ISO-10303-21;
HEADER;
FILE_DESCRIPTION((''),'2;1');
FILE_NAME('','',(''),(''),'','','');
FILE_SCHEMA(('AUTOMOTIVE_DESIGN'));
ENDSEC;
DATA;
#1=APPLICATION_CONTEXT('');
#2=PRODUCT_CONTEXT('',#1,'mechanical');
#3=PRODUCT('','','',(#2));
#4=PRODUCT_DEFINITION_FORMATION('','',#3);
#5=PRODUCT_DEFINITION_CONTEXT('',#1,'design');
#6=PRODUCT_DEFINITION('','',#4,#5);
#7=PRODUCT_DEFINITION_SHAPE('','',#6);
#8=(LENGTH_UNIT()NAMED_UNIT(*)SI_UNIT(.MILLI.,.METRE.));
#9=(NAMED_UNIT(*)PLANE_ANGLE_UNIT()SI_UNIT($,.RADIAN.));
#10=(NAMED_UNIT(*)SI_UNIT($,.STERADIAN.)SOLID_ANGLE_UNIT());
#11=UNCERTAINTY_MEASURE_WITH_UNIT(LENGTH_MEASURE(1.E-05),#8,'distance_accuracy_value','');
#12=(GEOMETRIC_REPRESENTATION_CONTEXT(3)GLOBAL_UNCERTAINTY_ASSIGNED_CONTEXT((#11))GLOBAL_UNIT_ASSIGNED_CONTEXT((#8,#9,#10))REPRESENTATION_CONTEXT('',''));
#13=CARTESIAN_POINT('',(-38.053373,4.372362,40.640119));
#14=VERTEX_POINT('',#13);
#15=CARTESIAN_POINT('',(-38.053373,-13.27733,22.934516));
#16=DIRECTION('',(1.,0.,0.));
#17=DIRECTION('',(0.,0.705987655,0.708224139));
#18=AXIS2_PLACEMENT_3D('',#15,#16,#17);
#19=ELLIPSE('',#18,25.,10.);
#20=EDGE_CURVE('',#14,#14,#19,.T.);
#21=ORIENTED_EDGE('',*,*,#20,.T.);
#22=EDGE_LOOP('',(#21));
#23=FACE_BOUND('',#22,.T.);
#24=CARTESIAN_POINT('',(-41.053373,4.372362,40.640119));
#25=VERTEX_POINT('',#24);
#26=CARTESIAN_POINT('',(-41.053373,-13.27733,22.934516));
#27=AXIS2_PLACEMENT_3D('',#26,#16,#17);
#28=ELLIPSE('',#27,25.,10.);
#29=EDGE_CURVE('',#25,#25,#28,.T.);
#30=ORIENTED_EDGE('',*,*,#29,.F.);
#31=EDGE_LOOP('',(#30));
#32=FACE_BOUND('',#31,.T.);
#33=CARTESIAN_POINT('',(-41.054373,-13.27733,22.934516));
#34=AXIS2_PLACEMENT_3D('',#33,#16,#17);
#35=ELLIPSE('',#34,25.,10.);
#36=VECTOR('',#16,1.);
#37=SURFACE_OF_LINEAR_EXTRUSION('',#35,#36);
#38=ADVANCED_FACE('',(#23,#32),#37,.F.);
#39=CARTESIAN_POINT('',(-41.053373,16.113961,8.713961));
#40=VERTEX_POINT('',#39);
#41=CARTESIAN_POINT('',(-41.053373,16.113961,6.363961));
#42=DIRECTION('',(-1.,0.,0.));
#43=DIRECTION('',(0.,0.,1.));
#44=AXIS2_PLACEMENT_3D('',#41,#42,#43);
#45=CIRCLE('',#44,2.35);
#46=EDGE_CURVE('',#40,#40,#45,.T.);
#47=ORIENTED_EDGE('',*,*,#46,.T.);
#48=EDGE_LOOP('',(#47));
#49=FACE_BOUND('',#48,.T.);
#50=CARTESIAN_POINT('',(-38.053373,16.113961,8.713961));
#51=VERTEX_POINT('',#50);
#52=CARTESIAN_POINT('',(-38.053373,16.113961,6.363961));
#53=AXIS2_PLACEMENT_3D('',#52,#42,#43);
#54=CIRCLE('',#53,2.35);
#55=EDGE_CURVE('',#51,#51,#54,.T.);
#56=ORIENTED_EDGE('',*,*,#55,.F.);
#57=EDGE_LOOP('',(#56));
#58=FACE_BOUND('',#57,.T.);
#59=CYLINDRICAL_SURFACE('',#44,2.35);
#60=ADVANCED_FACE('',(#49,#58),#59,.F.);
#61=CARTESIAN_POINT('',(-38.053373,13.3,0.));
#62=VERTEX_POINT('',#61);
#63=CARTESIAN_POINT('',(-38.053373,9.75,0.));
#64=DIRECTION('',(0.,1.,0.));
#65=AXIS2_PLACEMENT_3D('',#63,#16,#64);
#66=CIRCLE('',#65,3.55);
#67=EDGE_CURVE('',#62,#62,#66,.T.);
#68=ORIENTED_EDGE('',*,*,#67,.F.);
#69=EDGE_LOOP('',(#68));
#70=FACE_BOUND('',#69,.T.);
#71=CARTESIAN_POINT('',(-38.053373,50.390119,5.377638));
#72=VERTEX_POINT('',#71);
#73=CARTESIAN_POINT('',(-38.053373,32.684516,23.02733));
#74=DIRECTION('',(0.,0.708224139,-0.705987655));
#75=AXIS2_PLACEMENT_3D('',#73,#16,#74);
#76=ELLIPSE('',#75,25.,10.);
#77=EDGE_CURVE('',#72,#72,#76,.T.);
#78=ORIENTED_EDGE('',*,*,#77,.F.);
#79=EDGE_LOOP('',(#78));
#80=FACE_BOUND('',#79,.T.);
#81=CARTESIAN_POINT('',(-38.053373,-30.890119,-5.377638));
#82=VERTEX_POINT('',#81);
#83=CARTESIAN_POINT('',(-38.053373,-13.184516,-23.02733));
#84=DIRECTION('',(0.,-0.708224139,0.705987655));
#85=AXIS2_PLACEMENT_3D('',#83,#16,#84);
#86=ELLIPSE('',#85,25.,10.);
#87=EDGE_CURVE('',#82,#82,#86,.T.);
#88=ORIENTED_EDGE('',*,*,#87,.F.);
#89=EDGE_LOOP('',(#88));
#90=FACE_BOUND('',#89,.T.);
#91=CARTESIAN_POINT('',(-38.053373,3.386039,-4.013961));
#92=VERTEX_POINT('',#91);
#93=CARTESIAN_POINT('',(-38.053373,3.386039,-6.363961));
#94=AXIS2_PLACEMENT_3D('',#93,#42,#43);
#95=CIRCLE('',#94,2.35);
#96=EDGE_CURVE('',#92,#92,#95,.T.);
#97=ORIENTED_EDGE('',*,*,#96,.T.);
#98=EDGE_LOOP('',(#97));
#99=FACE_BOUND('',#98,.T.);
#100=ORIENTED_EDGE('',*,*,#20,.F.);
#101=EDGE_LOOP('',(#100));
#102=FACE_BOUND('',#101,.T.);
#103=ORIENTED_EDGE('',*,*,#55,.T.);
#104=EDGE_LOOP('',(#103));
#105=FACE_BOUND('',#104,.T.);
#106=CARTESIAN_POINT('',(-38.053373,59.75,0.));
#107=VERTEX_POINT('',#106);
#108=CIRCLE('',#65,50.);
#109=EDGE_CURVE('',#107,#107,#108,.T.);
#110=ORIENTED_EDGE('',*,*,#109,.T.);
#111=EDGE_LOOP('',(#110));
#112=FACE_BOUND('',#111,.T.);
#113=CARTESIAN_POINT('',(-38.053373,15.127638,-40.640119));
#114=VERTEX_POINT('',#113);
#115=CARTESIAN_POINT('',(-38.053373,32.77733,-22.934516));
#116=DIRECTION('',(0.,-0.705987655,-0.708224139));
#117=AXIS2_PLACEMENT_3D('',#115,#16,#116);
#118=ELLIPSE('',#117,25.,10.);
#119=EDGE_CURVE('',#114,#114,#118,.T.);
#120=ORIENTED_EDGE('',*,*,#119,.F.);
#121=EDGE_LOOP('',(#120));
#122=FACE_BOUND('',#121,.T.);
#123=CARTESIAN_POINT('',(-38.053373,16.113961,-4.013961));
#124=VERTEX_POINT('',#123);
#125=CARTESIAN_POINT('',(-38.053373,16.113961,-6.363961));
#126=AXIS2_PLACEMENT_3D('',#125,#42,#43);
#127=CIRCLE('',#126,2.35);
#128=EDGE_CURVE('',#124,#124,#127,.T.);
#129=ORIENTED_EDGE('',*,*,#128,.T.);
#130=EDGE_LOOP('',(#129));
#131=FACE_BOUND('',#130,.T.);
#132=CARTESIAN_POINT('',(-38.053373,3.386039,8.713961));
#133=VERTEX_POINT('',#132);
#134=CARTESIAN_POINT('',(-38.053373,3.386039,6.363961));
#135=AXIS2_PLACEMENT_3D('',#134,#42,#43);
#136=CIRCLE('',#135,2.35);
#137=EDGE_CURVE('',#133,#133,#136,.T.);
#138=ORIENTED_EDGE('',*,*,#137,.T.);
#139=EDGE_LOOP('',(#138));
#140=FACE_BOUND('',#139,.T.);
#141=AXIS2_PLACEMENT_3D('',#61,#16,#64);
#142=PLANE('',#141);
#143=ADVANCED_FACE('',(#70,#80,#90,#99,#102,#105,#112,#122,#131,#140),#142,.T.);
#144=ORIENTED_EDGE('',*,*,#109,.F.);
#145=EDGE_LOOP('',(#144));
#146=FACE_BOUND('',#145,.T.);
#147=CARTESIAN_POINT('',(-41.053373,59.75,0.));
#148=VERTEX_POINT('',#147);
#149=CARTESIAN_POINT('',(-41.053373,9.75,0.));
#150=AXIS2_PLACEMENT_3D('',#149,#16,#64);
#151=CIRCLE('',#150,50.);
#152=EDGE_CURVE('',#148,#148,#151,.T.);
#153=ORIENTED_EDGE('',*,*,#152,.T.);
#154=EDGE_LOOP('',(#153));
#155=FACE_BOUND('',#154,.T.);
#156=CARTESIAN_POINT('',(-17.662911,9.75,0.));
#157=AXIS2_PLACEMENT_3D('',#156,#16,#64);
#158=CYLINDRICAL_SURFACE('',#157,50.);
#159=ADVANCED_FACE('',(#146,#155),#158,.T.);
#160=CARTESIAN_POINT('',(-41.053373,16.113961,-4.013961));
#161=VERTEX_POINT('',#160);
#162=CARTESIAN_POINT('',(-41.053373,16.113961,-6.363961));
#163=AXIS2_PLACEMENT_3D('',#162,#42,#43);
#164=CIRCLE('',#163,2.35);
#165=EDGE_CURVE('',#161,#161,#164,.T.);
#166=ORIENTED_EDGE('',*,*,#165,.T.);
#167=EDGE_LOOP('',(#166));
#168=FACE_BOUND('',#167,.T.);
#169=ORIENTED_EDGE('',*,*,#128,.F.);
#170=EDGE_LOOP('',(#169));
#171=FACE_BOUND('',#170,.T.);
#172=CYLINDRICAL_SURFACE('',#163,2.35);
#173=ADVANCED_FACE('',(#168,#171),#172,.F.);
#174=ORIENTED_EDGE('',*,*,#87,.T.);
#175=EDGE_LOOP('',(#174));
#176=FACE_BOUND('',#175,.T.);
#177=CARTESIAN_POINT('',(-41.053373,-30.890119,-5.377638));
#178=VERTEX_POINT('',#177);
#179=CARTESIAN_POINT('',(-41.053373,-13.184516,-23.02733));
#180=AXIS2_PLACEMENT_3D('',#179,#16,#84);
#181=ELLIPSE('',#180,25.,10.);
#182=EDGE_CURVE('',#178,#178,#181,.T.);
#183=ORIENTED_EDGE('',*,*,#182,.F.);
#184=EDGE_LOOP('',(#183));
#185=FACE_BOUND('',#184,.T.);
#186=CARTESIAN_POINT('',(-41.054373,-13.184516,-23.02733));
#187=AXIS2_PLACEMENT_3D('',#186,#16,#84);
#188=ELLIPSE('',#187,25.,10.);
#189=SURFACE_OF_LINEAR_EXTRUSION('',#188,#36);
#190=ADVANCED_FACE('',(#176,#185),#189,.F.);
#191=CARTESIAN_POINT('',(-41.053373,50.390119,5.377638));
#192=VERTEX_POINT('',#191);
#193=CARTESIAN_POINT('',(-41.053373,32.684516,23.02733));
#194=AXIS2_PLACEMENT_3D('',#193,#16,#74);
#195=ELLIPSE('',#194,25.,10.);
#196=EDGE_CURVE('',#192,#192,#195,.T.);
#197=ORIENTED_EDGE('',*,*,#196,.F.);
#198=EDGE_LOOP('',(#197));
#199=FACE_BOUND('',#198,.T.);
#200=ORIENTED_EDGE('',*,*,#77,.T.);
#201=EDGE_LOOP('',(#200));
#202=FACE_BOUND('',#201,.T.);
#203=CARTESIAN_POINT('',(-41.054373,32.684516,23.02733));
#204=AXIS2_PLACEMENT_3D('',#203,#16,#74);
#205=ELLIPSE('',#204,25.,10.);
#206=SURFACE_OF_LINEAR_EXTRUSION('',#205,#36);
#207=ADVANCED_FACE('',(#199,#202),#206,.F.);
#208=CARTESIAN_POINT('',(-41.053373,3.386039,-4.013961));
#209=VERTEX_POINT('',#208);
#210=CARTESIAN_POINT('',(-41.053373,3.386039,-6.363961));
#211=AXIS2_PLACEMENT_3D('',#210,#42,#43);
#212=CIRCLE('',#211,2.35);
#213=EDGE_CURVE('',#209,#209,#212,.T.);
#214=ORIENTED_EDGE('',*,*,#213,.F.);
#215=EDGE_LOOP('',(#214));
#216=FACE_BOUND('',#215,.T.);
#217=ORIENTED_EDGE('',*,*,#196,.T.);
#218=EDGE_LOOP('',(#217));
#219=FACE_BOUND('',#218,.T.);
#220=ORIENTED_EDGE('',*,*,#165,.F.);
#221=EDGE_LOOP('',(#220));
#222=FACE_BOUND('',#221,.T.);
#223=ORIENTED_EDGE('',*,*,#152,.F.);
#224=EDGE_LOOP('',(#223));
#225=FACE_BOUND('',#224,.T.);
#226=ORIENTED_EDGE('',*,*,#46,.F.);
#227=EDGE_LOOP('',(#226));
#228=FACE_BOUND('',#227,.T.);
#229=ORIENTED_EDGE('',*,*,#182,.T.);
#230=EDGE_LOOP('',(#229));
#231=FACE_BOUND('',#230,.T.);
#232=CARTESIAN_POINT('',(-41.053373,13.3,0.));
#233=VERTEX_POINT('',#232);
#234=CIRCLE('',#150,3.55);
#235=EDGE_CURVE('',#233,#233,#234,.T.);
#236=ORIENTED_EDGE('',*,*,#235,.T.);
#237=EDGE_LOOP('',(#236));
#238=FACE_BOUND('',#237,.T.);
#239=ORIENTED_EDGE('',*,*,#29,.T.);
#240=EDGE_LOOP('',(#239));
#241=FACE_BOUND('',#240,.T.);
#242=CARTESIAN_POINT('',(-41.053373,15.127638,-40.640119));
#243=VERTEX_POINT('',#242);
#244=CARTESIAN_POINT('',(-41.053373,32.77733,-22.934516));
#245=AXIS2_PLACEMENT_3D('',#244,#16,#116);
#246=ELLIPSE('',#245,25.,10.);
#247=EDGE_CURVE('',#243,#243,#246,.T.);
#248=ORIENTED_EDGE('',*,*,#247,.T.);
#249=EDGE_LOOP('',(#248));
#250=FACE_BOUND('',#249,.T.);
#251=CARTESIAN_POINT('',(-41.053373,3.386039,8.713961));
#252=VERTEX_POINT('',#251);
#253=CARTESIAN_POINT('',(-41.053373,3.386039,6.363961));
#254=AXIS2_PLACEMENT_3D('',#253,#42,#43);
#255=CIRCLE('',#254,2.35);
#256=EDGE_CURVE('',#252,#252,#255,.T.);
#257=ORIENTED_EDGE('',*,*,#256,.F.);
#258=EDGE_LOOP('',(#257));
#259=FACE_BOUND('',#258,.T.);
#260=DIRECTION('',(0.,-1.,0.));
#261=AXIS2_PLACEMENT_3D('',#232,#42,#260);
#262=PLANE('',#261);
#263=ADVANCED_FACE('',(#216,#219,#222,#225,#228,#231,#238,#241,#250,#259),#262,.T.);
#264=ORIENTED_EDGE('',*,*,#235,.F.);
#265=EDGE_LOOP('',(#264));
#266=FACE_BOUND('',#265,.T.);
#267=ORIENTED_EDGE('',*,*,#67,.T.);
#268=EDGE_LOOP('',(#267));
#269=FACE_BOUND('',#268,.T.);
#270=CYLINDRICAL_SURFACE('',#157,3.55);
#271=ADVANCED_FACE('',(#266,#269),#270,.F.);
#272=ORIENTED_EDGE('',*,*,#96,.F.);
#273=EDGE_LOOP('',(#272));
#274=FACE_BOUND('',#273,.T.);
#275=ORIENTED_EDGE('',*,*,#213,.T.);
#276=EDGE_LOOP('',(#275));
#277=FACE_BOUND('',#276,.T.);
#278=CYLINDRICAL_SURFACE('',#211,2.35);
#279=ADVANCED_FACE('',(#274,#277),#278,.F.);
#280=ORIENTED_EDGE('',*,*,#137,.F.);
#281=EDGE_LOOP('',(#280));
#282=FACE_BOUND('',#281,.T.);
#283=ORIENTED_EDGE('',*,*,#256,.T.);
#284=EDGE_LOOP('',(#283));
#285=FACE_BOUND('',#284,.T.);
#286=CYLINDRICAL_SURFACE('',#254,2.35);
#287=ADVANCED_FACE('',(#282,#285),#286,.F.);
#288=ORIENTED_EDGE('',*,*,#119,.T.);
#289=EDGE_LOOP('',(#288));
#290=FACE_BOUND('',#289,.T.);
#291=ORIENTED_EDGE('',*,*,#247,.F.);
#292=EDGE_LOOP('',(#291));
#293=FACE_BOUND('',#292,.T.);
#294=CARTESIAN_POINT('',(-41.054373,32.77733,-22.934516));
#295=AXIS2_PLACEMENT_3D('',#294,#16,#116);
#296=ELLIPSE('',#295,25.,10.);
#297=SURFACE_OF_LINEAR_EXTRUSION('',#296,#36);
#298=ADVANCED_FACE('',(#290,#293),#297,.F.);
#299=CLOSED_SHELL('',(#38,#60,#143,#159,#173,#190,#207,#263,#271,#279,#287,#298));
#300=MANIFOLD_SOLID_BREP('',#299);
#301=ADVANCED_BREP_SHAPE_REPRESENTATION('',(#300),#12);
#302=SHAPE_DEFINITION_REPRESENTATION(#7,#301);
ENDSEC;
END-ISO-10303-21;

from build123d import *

# Parameters (mm, degrees)
SKIZZE1_W                        = 3
SKIZZE1_H                        = 46.45
F_4_7_4_7_DURCHMESSER_BOHRUNG1_D = 4.7
SKIZZE5_RX                       = 25
SKIZZE5_RY                       = 10
SCHNITT_LINEAR_AUSTRAGEN1_DEPTH  = 3
KREISMUSTER1_COUNT               = 4


with BuildPart() as part:
    # Skizze1 → Rotation1 (revolve)
    with BuildSketch(Plane.XY):
        with Locations((-39.553372853, 36.525)):
            Rectangle(SKIZZE1_W, SKIZZE1_H)
    revolve(axis=Axis((-17.6629112, 9.75, 0), (-1, 0, 0)))

    # Ø4.7 (4.7) Durchmesser Bohrung1 (through all)
    with Locations(Plane(origin=(-41.053372853, 11.968723204, 19.868936148), x_dir=(0, 0, 1), z_dir=(-1, 0, 0))):
        with Locations((-13.504975118, -8.582684234), (-26.232897179, -8.582684234), (-26.232897179, 4.145237827), (-13.504975118, 4.145237827)):
            Hole(F_4_7_4_7_DURCHMESSER_BOHRUNG1_D / 2)

    # Skizze5 → Schnitt-Linear austragen1 (cut)
    with BuildSketch(Plane(origin=(-38.053372853, 0, 0), x_dir=(0, 0, -1), z_dir=(1, 0, 0))):
        with Locations(Location((-23.027329597, 32.684515508), (0, 0, 45.090609512))):
            Ellipse(SKIZZE5_RX, SKIZZE5_RY)
    schnitt_linear_austragen1 = extrude(amount=-SCHNITT_LINEAR_AUSTRAGEN1_DEPTH, mode=Mode.SUBTRACT)

    # Kreismuster1: Schnitt-Linear austragen1 ×4 about axis
    kreismuster1_axis = Axis((0, 9.75, 0), (-1, 0, 0))
    for i in range(1, KREISMUSTER1_COUNT):
        add(schnitt_linear_austragen1.rotate(kreismuster1_axis, i * 360 / KREISMUSTER1_COUNT), mode=Mode.SUBTRACT)


solid = part.part
